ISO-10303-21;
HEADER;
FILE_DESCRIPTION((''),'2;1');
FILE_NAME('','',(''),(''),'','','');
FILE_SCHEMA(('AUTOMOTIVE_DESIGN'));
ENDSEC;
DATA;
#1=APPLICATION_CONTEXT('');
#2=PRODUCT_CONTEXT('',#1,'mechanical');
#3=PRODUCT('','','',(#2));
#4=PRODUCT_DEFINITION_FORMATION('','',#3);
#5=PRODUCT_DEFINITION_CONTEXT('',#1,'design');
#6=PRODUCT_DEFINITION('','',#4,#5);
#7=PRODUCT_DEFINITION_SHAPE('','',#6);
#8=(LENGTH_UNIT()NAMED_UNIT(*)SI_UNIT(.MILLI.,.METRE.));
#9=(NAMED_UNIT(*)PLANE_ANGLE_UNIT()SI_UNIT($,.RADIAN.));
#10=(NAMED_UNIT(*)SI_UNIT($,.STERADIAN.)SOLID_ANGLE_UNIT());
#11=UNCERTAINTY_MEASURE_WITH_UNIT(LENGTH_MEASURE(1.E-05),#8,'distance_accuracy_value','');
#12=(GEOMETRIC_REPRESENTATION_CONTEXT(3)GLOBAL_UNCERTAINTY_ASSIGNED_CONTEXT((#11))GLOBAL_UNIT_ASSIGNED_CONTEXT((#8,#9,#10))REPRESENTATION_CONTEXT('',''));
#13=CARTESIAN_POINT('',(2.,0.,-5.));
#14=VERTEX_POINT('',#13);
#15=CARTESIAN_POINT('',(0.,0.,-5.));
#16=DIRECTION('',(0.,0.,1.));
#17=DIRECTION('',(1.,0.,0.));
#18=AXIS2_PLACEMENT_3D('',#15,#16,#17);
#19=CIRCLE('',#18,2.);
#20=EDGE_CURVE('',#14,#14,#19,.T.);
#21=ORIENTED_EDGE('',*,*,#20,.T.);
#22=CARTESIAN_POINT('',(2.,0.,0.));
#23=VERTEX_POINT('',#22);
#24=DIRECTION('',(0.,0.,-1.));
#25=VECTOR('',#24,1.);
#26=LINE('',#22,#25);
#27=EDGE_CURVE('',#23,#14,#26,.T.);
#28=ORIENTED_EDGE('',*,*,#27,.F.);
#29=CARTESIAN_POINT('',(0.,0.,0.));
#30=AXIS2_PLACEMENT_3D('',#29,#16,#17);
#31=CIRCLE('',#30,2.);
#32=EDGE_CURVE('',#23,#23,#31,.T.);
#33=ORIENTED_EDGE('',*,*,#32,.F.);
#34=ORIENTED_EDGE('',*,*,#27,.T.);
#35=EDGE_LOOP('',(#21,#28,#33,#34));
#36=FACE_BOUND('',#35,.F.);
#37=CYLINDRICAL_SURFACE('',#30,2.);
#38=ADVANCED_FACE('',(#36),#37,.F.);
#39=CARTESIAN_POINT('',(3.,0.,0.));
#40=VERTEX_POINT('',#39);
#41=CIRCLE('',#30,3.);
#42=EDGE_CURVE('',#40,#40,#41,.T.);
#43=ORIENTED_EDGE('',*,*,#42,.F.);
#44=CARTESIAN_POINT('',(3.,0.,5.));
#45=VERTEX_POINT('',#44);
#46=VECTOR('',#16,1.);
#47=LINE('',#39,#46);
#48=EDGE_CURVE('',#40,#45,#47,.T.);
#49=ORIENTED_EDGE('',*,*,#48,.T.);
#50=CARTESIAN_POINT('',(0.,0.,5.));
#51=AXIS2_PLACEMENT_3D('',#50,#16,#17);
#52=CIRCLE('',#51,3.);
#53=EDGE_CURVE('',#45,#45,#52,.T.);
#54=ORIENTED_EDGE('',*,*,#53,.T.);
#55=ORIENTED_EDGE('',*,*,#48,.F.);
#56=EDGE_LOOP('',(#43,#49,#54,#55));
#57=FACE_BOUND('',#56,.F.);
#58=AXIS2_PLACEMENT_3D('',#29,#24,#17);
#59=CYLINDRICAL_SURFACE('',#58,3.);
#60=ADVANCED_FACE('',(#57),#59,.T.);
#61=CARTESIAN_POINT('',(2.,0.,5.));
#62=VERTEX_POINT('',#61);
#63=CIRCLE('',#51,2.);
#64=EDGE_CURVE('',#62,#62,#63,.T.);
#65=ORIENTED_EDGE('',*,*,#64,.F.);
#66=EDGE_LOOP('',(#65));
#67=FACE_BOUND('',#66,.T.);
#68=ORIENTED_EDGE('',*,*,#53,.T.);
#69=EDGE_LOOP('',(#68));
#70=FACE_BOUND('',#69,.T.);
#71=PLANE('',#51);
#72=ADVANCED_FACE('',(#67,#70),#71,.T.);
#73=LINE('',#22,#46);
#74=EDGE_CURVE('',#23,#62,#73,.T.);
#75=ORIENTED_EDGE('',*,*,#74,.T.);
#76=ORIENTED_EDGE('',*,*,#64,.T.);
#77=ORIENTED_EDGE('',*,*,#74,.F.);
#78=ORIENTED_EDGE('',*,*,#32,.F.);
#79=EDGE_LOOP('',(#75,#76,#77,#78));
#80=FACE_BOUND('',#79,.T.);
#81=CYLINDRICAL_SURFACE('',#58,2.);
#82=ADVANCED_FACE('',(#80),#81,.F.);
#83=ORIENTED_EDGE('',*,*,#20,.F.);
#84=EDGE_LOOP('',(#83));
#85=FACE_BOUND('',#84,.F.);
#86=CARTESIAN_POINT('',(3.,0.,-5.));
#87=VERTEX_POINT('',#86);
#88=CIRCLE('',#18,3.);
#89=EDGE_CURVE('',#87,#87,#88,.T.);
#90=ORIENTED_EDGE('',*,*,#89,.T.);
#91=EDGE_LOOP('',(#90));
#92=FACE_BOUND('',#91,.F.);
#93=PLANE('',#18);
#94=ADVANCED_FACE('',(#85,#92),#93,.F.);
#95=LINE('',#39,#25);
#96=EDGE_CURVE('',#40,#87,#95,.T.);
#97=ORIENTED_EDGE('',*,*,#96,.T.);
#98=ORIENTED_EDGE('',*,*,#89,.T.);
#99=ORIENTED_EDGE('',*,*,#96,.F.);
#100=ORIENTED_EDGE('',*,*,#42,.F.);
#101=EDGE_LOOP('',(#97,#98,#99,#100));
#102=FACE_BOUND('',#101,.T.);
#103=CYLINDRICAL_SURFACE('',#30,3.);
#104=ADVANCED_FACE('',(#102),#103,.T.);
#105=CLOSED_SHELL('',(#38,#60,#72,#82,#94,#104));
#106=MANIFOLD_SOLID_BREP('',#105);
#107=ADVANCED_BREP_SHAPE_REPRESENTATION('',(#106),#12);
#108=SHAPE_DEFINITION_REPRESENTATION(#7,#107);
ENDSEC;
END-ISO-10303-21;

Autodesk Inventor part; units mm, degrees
ref_plane "YZ Plane" through (0, 0, 0) normal (1, 0, 0) x (0, 1, 0)
ref_plane "XZ Plane" through (0, 0, 0) normal (0, 1, 0) x (-1, 0, 0)
ref_plane "XY Plane" through (0, 0, 0) normal (0, 0, 1) x (1, 0, 0)
sketch "スケッチ1" plane through (0, 0, 0) normal (0, 0, 1) x (1, 0, 0)
  circle A0 centre (0, 0) radius 2
  circle A1 centre (0, 0) radius 3
  dimension "d0" = 4
  dimension "d1" = 6
extrude "押し出し1" add sketch "スケッチ1" along normal mid plane 10
properties part number "pi_spacer_10" material "アルミニウム 6061-AHC"
